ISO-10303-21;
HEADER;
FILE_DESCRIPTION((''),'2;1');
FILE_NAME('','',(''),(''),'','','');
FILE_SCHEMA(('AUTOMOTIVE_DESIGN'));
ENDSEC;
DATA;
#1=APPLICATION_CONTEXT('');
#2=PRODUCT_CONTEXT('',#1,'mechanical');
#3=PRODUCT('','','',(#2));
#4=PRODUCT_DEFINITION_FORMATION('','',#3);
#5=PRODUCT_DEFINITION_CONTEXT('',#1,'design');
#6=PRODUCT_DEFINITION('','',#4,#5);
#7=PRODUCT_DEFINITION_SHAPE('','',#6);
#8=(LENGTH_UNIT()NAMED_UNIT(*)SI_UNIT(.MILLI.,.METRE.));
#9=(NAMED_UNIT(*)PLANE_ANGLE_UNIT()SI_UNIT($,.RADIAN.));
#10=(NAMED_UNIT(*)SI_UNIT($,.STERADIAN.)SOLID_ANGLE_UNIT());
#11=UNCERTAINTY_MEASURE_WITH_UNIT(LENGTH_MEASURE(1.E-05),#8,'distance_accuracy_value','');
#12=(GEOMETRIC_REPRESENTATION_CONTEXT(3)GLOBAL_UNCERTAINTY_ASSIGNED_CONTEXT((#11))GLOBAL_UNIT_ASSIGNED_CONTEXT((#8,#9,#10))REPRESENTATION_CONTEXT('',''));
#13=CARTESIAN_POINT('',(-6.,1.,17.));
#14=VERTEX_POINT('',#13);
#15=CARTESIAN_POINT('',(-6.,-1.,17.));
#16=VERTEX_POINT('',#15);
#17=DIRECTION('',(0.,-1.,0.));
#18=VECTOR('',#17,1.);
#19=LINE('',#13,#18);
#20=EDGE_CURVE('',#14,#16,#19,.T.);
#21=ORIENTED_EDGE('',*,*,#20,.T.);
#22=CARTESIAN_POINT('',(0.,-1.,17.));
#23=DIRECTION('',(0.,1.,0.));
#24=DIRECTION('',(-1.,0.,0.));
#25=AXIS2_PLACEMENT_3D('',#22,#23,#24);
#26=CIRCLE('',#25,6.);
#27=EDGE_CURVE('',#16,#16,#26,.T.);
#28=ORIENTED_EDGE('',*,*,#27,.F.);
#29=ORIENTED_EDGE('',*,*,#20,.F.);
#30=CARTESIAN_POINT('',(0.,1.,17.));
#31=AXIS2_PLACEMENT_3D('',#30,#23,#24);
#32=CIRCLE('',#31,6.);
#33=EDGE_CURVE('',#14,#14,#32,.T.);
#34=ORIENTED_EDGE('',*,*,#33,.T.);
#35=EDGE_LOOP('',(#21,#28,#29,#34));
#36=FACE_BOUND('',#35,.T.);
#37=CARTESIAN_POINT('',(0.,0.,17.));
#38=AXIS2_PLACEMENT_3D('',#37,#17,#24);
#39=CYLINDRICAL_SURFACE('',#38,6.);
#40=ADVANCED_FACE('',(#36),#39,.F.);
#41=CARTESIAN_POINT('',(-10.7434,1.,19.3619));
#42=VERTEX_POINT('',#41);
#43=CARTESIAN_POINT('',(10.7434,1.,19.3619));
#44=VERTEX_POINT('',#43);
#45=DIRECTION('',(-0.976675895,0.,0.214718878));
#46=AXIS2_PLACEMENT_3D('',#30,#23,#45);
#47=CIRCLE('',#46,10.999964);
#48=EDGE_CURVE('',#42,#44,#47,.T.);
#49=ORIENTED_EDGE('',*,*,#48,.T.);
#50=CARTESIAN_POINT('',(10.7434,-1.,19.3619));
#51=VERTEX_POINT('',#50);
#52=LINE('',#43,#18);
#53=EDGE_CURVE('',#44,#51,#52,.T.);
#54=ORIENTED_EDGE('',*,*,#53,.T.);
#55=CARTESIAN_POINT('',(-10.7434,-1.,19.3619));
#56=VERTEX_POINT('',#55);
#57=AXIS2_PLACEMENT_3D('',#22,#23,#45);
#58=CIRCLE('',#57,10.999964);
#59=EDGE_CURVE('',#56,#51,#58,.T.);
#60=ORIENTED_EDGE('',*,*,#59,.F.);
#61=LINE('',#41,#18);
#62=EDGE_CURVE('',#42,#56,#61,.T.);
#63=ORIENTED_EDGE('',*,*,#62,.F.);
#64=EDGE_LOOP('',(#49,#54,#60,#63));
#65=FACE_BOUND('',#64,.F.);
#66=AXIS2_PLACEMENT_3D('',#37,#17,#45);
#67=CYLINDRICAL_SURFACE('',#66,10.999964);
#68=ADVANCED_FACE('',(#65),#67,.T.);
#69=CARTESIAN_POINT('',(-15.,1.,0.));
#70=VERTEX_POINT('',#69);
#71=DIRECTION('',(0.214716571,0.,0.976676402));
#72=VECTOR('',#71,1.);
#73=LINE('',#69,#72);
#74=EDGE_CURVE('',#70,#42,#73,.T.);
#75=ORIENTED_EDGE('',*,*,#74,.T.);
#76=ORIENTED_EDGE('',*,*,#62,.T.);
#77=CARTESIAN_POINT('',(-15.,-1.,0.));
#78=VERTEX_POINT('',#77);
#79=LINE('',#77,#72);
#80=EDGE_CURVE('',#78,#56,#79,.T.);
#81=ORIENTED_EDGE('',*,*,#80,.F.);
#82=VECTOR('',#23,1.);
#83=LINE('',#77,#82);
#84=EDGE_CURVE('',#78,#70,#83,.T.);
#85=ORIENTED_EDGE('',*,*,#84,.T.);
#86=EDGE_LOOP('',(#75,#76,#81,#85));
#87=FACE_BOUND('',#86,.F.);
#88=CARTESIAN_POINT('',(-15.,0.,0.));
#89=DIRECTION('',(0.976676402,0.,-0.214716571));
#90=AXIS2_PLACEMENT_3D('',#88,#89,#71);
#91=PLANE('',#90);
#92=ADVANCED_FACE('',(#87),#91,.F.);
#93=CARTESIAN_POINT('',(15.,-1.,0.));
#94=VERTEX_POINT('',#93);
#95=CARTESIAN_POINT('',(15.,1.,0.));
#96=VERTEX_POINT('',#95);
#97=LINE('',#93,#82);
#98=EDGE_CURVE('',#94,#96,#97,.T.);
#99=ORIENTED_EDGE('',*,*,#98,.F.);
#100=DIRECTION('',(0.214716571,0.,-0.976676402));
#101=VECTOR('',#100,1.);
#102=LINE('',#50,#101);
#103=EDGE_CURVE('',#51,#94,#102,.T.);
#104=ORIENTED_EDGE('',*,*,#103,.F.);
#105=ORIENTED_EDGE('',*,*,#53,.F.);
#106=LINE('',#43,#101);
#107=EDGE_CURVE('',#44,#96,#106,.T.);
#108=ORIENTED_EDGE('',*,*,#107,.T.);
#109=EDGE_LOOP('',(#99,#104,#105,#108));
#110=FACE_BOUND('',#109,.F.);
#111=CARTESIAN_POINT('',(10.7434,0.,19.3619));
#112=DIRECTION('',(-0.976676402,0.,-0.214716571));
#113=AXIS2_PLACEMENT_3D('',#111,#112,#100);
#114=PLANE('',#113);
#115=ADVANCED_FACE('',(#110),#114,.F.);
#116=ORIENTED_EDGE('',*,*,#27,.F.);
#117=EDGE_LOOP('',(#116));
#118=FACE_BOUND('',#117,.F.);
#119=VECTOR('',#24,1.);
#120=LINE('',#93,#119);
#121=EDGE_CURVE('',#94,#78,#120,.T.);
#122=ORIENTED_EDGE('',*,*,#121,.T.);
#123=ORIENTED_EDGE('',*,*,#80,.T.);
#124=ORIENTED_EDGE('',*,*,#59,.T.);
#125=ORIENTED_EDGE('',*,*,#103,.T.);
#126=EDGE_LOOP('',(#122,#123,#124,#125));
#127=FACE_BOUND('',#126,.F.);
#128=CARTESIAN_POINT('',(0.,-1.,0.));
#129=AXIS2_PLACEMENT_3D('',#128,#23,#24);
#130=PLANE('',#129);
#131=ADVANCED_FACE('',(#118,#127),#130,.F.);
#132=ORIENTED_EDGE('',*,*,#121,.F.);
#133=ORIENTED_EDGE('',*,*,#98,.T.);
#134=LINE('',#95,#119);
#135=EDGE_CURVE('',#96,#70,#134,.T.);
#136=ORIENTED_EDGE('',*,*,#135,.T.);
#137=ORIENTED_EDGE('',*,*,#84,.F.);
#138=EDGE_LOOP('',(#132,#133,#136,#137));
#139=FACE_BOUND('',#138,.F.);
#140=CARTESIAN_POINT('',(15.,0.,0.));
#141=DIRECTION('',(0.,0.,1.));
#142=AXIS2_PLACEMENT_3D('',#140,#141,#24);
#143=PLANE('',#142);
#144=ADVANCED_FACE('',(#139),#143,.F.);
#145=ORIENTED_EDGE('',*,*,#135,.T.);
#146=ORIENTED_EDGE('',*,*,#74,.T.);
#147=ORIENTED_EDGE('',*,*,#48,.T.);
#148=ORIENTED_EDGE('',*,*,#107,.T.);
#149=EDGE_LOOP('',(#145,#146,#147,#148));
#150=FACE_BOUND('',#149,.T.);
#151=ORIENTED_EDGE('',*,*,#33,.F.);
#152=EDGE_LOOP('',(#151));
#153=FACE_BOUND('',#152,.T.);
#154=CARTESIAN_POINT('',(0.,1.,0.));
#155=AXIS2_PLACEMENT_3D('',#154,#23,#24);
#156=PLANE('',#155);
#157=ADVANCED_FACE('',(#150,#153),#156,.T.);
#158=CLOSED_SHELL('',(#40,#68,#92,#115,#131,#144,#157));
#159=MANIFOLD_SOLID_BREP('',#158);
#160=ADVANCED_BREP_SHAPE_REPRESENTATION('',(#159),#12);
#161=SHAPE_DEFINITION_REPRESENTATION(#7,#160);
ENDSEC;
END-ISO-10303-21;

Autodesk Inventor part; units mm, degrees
ref_plane "YZ Plane" through (0, 0, 0) normal (1, 0, 0) x (0, 1, 0)
ref_plane "XZ Plane" through (0, 0, 0) normal (0, 1, 0) x (-1, 0, 0)
ref_plane "XY Plane" through (0, 0, 0) normal (0, 0, 1) x (1, 0, 0)
sketch "草圖2" plane through (0, 0, 0) normal (0, 1, 0) x (-1, 0, 0)
  line L0 (0, 0) -> (25, 0) construction
  line L1 (0, 0) -> (0, 21.0714) construction
  line L2 (-15, 0) -> (15, 0)
  line L3 (15, 0) -> (10.7434, 19.3619)
  line L4 (-10.7434, 19.3619) -> (-15, 0)
  arc A0 (10.7434, 19.3619) -> (-10.7434, 19.3619) centre (0, 17) ccw
  circle A1 centre (0, 17) radius 6
  dimension "d4" = 12
  dimension "d10" = 30
  dimension "d11" = 17
  dimension "d12" = 5
extrude "擠出1" add sketch "草圖2" along normal mid plane 2
properties part number "草圖檔"
